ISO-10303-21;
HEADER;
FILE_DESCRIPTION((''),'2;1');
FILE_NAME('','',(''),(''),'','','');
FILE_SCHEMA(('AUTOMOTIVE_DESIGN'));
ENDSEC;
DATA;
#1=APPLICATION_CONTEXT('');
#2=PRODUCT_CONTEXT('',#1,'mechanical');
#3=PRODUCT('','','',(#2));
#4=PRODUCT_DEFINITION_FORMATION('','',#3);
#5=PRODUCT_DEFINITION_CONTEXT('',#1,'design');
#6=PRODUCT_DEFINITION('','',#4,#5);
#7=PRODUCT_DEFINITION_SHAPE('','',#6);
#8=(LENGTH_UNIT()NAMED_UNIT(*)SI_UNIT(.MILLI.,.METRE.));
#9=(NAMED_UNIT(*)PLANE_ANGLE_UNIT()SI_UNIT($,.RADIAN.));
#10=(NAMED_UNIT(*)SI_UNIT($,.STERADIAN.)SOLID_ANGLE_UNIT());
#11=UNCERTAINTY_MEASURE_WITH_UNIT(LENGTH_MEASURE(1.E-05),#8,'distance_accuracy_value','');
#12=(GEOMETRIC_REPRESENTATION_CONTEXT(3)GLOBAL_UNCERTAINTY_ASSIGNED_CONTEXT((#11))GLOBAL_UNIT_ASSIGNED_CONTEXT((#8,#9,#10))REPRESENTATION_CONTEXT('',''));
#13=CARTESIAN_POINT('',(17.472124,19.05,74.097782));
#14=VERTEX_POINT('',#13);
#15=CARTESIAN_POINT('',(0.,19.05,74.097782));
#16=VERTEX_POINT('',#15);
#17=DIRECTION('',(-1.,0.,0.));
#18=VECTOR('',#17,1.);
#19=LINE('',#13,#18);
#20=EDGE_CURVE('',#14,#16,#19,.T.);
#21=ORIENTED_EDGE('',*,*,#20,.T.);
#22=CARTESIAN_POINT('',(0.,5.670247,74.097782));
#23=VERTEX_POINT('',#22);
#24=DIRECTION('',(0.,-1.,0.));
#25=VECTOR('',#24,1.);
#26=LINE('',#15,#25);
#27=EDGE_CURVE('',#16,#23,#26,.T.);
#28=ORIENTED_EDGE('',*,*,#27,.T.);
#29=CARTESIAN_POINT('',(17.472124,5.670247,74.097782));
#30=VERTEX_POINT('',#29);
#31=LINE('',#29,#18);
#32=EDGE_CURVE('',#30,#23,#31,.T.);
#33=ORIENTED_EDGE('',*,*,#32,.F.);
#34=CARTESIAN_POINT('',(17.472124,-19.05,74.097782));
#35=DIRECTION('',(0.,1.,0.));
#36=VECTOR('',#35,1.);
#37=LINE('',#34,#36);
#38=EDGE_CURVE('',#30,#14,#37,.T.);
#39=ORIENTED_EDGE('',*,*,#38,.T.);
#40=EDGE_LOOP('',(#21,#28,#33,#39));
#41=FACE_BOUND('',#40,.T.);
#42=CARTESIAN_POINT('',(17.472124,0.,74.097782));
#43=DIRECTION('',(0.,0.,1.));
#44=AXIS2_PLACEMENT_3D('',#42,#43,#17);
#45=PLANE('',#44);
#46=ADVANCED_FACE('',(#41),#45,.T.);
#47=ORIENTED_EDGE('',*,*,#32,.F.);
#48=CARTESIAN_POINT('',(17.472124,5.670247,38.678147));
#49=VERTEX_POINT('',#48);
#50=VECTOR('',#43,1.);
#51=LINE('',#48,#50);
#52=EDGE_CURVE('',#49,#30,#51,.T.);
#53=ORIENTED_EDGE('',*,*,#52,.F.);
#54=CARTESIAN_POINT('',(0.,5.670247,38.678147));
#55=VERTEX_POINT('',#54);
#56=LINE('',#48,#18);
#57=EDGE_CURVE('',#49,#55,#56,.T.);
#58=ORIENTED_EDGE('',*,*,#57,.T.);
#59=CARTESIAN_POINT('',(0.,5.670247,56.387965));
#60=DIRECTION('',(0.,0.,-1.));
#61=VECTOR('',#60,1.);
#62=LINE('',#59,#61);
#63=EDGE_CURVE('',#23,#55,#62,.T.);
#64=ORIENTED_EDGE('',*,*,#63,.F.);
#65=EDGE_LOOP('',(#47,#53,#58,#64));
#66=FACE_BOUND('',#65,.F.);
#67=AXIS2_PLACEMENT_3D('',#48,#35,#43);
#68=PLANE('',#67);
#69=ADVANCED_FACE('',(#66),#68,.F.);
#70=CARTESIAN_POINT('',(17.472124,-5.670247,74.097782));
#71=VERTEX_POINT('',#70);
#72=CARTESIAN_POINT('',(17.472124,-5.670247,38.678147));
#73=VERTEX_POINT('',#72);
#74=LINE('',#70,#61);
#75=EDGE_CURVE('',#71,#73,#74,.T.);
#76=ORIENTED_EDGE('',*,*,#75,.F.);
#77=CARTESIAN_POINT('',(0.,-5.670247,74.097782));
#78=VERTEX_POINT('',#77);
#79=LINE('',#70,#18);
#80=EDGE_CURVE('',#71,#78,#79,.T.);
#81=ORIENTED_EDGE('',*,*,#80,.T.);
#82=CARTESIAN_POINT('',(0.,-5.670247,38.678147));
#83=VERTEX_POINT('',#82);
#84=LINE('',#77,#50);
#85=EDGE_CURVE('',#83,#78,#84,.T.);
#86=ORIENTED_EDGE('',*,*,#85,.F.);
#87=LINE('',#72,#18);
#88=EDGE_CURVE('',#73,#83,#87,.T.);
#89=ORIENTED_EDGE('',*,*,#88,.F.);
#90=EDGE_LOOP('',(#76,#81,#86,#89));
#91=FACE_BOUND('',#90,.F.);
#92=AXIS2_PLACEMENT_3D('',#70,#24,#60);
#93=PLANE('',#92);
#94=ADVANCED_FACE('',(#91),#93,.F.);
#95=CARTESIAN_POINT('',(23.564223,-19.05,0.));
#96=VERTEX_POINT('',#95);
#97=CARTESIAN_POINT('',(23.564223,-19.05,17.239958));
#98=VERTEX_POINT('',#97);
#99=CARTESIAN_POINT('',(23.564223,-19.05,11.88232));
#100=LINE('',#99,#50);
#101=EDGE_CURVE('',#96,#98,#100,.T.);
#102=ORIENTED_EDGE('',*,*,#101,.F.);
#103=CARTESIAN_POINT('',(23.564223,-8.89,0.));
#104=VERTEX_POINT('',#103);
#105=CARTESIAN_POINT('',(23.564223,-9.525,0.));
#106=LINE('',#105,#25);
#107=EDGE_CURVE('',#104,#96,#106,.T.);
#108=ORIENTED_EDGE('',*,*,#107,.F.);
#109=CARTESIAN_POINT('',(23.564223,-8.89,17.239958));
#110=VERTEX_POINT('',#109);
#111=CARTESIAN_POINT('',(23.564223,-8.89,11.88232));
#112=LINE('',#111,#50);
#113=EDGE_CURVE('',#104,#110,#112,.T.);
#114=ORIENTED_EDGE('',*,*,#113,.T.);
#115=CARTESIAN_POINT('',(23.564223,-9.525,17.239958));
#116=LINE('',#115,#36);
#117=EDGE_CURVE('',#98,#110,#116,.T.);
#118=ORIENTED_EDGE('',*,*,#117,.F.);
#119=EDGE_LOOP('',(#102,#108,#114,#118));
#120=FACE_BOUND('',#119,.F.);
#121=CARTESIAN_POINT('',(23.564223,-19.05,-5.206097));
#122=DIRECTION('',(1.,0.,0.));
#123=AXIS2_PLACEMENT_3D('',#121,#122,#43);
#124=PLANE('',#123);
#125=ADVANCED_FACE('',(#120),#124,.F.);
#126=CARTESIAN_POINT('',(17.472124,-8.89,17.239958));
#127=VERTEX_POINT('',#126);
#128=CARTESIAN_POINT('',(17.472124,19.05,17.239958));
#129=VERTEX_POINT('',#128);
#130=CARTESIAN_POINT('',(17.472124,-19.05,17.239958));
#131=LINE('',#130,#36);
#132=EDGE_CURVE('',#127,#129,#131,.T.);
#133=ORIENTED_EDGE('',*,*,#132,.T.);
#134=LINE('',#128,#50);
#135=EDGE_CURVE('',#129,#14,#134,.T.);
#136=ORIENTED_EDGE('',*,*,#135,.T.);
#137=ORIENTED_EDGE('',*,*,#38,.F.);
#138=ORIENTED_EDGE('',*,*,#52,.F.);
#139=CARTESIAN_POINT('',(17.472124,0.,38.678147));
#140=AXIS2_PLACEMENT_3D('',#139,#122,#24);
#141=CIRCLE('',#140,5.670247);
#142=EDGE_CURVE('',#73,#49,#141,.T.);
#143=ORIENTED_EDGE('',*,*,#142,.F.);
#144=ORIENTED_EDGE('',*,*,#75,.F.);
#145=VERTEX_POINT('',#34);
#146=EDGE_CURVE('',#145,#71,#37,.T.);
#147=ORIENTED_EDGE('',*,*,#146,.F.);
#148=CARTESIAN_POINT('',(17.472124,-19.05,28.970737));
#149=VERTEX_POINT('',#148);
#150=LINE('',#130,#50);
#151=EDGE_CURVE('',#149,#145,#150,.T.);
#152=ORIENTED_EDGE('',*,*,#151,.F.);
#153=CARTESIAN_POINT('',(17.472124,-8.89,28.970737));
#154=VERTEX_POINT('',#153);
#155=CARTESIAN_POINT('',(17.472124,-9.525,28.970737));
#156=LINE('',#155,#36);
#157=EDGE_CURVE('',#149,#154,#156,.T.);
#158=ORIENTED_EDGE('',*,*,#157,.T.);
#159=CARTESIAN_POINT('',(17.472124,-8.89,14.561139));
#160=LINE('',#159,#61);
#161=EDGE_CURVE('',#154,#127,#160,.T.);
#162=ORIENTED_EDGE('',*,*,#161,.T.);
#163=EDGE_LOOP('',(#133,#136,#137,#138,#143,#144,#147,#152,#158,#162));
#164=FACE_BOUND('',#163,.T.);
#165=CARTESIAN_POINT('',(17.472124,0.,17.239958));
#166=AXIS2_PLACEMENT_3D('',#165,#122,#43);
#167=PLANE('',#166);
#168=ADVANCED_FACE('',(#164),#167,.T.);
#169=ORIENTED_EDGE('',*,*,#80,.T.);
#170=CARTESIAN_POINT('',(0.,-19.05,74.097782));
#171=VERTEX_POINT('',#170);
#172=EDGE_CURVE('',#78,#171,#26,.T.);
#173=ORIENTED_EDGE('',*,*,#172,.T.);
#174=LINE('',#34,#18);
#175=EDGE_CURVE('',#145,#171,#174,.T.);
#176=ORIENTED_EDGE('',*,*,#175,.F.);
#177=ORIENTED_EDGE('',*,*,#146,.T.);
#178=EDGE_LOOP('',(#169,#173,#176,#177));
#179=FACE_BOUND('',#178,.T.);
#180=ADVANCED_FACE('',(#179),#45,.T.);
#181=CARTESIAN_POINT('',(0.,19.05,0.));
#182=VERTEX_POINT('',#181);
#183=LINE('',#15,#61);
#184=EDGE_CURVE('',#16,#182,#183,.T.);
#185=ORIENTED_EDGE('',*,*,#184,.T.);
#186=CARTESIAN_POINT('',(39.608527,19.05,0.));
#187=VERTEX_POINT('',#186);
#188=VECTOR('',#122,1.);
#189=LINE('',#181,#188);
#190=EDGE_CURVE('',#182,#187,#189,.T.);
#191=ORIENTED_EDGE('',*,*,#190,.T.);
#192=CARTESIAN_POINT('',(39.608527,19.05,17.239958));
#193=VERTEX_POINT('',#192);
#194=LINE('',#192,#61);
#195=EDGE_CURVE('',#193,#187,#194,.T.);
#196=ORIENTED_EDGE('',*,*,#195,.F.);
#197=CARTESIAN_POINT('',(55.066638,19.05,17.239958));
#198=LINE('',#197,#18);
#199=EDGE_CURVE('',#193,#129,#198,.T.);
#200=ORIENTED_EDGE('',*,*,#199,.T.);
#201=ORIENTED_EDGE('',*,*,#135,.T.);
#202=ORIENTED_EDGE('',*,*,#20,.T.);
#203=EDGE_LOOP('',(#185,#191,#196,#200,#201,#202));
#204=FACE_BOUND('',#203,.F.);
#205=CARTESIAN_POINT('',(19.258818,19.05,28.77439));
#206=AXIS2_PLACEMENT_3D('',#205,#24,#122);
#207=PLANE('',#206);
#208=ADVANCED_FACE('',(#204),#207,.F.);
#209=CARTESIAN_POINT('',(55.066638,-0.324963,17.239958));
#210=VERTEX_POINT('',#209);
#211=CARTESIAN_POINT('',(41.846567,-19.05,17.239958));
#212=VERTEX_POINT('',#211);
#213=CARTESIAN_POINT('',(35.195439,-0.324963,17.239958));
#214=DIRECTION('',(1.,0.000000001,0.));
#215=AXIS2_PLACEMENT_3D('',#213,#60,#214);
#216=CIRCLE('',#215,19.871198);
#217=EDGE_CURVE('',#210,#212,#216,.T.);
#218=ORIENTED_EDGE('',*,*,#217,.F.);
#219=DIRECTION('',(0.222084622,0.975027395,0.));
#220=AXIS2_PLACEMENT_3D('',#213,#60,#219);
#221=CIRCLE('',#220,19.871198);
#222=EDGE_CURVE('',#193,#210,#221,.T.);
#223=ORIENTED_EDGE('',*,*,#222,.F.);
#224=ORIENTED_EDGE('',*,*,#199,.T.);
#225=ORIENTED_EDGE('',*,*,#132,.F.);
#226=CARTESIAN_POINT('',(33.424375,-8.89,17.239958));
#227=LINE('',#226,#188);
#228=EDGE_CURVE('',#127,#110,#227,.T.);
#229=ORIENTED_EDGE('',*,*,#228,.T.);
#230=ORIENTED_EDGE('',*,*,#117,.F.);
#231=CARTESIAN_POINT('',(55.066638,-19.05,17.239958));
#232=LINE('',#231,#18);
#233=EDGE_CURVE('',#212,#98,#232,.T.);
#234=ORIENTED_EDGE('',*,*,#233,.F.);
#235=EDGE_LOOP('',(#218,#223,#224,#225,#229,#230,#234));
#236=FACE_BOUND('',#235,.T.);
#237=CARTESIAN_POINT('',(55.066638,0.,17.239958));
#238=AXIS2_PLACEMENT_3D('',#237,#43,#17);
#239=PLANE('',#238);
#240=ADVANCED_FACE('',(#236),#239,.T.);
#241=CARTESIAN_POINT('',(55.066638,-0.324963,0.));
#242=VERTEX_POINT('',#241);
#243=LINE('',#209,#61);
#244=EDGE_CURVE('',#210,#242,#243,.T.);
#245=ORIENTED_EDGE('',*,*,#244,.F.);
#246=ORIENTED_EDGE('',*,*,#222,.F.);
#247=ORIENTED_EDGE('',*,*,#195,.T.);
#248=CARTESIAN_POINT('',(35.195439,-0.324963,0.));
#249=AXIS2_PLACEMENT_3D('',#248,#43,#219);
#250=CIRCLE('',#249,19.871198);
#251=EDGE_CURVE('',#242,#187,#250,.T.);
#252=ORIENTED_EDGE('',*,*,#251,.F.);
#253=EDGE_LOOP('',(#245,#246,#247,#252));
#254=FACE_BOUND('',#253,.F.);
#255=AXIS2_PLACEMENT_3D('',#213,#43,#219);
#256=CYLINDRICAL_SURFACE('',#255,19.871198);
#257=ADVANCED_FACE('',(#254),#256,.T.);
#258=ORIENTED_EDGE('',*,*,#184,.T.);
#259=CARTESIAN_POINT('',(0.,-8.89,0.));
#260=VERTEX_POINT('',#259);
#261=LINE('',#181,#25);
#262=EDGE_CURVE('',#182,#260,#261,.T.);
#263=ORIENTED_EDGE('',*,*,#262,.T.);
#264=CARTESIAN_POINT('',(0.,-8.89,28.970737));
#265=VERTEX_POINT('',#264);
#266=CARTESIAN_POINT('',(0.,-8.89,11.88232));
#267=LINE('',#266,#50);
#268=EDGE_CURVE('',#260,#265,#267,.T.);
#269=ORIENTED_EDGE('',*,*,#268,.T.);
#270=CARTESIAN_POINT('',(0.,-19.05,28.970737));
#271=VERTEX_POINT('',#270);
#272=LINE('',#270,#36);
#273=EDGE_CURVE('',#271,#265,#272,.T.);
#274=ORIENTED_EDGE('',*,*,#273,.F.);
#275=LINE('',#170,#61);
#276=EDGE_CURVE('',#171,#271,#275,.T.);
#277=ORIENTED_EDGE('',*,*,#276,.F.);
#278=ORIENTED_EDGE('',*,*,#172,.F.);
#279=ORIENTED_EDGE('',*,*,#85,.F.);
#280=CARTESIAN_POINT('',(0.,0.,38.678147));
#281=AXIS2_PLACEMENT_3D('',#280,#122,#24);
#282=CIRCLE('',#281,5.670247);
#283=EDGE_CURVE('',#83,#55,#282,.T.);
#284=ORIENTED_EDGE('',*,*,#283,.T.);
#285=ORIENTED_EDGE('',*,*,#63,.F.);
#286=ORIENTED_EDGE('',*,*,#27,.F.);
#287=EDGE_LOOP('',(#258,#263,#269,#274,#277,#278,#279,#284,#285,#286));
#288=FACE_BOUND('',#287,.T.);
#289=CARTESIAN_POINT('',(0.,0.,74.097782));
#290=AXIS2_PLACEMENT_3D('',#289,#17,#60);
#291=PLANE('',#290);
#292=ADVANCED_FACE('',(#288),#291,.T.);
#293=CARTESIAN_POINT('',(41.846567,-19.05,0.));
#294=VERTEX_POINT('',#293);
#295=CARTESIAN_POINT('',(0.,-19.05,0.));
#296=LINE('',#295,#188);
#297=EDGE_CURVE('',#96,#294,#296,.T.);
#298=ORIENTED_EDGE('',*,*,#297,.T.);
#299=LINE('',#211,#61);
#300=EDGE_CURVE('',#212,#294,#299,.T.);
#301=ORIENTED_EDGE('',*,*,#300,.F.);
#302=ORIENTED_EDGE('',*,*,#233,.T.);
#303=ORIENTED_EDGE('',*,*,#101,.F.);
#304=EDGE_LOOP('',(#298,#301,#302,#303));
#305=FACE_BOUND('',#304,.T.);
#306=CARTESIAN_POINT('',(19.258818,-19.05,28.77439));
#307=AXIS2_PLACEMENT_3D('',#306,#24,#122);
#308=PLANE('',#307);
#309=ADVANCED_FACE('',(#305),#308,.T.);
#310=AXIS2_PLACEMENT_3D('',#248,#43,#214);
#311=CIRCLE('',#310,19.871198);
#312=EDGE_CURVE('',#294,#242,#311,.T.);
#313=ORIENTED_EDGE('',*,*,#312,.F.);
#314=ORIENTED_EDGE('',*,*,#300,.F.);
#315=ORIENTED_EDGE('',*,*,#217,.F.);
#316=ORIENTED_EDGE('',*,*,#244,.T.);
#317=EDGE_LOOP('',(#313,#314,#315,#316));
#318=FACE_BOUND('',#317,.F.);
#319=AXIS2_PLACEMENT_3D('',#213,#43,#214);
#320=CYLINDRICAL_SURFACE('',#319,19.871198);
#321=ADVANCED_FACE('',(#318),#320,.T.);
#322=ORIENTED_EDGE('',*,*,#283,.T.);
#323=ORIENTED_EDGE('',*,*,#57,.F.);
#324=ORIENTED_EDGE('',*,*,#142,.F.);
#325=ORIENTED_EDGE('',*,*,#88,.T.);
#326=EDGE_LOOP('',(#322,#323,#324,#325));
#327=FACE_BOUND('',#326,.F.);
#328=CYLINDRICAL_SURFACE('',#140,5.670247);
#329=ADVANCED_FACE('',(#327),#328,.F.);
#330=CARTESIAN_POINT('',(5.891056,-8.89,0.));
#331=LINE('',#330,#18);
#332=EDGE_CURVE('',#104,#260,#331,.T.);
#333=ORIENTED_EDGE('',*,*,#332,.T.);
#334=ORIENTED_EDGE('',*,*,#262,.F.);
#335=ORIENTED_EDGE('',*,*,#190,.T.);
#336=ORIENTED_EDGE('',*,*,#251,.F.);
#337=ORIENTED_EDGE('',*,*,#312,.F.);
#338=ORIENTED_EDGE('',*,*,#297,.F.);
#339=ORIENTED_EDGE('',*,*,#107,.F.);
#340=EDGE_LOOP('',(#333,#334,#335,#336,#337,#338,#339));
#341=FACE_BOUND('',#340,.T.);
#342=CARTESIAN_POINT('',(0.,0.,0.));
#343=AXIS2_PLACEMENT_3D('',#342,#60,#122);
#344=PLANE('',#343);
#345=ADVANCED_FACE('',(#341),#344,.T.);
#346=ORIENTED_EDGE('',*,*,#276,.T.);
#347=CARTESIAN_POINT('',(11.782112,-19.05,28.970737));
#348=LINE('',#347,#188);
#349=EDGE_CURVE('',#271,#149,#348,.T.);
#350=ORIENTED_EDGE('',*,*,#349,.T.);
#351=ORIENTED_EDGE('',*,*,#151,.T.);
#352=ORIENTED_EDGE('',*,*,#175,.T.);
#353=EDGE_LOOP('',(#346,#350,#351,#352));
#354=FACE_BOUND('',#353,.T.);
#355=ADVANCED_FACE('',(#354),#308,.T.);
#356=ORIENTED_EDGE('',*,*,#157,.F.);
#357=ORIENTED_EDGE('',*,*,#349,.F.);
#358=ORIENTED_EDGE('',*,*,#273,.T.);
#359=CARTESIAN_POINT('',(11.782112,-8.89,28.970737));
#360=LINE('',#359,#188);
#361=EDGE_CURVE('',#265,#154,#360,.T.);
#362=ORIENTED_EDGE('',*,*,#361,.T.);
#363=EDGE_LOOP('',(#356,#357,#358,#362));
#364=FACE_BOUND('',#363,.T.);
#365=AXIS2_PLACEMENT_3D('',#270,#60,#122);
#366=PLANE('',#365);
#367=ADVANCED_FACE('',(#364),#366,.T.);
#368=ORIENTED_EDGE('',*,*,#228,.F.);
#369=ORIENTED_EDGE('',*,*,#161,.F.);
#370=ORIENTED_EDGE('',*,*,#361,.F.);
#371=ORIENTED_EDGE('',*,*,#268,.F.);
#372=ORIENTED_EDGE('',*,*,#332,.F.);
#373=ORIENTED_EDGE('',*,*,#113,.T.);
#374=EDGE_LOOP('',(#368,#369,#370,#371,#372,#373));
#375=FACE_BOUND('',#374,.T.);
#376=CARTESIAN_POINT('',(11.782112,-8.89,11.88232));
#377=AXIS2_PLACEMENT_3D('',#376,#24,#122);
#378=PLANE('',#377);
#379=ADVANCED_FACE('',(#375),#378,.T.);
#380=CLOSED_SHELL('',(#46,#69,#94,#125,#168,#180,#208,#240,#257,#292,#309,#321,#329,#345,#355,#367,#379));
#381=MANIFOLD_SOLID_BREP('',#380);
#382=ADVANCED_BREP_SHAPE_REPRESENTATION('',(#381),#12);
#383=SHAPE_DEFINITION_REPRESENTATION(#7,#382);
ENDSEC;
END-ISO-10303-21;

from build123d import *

# Parameters (mm, degrees)
F1_DEPTH = 19.05
F3_DEPTH = 17.2409580479
F5_DEPTH = 25.4
F6_W     = 23.5642232001
F6_H     = 34.1768339276
F7_DEPTH = 10.16


with BuildPart() as f1:
    # F0 (on Front) → F1 (new body, symmetric)
    with BuildSketch(Plane.XZ):
        Polygon((17.4721237272, 74.0977823734), (0, 74.0977823734), (0, 0), (55.0666376948, 0), (55.0666376948, 17.2399580479), (17.4721237272, 17.2399580479), align=None)
    extrude(amount=F1_DEPTH, both=True)

    # F2 (on face) → F3 (cut, through all)
    with BuildSketch(Plane.XY.offset(17.2399580479)):
        with BuildLine():
            ThreePointArc((55.0666376948, -0.3249626733), (51.4285906353, -11.785735895), (41.846567036, -19.05))
            Line((41.846567036, -19.05), (55.0666376948, -19.05))
            Line((55.0666376948, -19.05), (55.0666376948, -0.3249626733))
        make_face()
        with BuildLine():
            ThreePointArc((39.6085269749, 19.05), (50.7285952231, 12.0680027235), (55.0666376948, -0.3249626733))
            Line((55.0666376948, -0.3249626733), (55.0666376948, 19.05))
            Line((55.0666376948, 19.05), (39.6085269749, 19.05))
        make_face()
    extrude(amount=-F3_DEPTH, mode=Mode.SUBTRACT)

    # F4 (on face) → F5 (cut)
    with BuildSketch(Plane.YZ.offset(17.4721237272)):
        with BuildLine():
            Line((5.6702466682, 74.0977823734), (-5.6702466682, 74.0977823734))
            Line((-5.6702466682, 74.0977823734), (-5.6702466682, 38.6781468987))
            ThreePointArc((-5.6702466682, 38.6781468987), (0, 33.0079002306), (5.6702466682, 38.6781468987))
            Line((5.6702466682, 38.6781468987), (5.6702466682, 74.0977823734))
        make_face()
    extrude(amount=-F5_DEPTH, mode=Mode.SUBTRACT)

    # F6 (on face) → F7 (cut)
    with BuildSketch(Plane.XZ.offset(19.05)):
        with Locations((11.7821116, 11.8823200464)):
            Rectangle(F6_W, F6_H)
    extrude(amount=-F7_DEPTH, mode=Mode.SUBTRACT)


solid = f1.part
